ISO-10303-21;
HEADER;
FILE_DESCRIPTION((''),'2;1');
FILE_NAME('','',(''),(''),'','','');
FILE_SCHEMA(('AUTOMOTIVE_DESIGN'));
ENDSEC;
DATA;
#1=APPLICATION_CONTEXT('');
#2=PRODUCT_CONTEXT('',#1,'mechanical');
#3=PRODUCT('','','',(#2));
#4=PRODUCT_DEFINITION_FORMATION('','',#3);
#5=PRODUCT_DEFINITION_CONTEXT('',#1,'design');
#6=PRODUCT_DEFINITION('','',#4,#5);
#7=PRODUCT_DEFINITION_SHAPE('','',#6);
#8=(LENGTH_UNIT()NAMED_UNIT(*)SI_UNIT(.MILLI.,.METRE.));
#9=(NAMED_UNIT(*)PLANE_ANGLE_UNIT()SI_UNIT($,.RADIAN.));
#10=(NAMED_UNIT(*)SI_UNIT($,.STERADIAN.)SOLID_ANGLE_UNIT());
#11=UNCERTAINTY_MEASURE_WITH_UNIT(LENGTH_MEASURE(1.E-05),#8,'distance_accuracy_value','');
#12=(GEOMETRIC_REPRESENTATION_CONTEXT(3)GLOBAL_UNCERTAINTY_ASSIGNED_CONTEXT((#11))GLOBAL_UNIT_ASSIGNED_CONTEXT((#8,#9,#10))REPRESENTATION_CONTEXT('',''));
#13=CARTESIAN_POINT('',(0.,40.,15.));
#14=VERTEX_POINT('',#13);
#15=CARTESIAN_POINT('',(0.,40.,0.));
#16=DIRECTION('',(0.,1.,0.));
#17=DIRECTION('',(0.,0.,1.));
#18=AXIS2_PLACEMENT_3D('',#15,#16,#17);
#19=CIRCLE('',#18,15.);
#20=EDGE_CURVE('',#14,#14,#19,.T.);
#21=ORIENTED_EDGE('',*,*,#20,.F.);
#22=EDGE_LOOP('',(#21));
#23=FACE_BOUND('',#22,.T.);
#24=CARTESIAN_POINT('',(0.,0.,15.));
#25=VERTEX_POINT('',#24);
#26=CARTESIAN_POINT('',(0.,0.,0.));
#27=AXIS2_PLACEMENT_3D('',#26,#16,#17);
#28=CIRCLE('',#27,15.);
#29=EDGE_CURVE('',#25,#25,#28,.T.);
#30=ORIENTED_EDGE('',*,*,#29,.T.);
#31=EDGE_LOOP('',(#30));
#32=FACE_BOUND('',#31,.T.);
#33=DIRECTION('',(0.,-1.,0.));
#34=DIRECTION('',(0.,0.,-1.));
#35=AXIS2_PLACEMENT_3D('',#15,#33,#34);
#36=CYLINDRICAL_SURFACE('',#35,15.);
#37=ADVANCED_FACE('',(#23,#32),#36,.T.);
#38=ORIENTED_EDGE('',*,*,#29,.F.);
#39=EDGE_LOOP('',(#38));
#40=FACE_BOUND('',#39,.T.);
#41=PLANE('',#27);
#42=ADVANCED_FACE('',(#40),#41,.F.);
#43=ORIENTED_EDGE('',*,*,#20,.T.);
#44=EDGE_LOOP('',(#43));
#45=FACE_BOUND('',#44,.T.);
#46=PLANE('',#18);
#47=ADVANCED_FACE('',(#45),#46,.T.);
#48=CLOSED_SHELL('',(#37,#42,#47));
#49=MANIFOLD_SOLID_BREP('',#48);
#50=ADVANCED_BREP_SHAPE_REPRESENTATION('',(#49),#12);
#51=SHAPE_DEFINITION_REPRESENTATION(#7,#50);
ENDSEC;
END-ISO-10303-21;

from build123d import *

# Parameters (mm, degrees)
CROQUIS1_R              = 15
SALIENTE_EXTRUIR1_DEPTH = 40


with BuildPart() as part:
    # Croquis1 → Saliente-Extruir1 (new body)
    with BuildSketch(Plane(origin=(0, 0, 0), x_dir=(1, 0, 0), z_dir=(0, 1, 0))):
        Circle(CROQUIS1_R)
    extrude(amount=SALIENTE_EXTRUIR1_DEPTH)


solid = part.part
